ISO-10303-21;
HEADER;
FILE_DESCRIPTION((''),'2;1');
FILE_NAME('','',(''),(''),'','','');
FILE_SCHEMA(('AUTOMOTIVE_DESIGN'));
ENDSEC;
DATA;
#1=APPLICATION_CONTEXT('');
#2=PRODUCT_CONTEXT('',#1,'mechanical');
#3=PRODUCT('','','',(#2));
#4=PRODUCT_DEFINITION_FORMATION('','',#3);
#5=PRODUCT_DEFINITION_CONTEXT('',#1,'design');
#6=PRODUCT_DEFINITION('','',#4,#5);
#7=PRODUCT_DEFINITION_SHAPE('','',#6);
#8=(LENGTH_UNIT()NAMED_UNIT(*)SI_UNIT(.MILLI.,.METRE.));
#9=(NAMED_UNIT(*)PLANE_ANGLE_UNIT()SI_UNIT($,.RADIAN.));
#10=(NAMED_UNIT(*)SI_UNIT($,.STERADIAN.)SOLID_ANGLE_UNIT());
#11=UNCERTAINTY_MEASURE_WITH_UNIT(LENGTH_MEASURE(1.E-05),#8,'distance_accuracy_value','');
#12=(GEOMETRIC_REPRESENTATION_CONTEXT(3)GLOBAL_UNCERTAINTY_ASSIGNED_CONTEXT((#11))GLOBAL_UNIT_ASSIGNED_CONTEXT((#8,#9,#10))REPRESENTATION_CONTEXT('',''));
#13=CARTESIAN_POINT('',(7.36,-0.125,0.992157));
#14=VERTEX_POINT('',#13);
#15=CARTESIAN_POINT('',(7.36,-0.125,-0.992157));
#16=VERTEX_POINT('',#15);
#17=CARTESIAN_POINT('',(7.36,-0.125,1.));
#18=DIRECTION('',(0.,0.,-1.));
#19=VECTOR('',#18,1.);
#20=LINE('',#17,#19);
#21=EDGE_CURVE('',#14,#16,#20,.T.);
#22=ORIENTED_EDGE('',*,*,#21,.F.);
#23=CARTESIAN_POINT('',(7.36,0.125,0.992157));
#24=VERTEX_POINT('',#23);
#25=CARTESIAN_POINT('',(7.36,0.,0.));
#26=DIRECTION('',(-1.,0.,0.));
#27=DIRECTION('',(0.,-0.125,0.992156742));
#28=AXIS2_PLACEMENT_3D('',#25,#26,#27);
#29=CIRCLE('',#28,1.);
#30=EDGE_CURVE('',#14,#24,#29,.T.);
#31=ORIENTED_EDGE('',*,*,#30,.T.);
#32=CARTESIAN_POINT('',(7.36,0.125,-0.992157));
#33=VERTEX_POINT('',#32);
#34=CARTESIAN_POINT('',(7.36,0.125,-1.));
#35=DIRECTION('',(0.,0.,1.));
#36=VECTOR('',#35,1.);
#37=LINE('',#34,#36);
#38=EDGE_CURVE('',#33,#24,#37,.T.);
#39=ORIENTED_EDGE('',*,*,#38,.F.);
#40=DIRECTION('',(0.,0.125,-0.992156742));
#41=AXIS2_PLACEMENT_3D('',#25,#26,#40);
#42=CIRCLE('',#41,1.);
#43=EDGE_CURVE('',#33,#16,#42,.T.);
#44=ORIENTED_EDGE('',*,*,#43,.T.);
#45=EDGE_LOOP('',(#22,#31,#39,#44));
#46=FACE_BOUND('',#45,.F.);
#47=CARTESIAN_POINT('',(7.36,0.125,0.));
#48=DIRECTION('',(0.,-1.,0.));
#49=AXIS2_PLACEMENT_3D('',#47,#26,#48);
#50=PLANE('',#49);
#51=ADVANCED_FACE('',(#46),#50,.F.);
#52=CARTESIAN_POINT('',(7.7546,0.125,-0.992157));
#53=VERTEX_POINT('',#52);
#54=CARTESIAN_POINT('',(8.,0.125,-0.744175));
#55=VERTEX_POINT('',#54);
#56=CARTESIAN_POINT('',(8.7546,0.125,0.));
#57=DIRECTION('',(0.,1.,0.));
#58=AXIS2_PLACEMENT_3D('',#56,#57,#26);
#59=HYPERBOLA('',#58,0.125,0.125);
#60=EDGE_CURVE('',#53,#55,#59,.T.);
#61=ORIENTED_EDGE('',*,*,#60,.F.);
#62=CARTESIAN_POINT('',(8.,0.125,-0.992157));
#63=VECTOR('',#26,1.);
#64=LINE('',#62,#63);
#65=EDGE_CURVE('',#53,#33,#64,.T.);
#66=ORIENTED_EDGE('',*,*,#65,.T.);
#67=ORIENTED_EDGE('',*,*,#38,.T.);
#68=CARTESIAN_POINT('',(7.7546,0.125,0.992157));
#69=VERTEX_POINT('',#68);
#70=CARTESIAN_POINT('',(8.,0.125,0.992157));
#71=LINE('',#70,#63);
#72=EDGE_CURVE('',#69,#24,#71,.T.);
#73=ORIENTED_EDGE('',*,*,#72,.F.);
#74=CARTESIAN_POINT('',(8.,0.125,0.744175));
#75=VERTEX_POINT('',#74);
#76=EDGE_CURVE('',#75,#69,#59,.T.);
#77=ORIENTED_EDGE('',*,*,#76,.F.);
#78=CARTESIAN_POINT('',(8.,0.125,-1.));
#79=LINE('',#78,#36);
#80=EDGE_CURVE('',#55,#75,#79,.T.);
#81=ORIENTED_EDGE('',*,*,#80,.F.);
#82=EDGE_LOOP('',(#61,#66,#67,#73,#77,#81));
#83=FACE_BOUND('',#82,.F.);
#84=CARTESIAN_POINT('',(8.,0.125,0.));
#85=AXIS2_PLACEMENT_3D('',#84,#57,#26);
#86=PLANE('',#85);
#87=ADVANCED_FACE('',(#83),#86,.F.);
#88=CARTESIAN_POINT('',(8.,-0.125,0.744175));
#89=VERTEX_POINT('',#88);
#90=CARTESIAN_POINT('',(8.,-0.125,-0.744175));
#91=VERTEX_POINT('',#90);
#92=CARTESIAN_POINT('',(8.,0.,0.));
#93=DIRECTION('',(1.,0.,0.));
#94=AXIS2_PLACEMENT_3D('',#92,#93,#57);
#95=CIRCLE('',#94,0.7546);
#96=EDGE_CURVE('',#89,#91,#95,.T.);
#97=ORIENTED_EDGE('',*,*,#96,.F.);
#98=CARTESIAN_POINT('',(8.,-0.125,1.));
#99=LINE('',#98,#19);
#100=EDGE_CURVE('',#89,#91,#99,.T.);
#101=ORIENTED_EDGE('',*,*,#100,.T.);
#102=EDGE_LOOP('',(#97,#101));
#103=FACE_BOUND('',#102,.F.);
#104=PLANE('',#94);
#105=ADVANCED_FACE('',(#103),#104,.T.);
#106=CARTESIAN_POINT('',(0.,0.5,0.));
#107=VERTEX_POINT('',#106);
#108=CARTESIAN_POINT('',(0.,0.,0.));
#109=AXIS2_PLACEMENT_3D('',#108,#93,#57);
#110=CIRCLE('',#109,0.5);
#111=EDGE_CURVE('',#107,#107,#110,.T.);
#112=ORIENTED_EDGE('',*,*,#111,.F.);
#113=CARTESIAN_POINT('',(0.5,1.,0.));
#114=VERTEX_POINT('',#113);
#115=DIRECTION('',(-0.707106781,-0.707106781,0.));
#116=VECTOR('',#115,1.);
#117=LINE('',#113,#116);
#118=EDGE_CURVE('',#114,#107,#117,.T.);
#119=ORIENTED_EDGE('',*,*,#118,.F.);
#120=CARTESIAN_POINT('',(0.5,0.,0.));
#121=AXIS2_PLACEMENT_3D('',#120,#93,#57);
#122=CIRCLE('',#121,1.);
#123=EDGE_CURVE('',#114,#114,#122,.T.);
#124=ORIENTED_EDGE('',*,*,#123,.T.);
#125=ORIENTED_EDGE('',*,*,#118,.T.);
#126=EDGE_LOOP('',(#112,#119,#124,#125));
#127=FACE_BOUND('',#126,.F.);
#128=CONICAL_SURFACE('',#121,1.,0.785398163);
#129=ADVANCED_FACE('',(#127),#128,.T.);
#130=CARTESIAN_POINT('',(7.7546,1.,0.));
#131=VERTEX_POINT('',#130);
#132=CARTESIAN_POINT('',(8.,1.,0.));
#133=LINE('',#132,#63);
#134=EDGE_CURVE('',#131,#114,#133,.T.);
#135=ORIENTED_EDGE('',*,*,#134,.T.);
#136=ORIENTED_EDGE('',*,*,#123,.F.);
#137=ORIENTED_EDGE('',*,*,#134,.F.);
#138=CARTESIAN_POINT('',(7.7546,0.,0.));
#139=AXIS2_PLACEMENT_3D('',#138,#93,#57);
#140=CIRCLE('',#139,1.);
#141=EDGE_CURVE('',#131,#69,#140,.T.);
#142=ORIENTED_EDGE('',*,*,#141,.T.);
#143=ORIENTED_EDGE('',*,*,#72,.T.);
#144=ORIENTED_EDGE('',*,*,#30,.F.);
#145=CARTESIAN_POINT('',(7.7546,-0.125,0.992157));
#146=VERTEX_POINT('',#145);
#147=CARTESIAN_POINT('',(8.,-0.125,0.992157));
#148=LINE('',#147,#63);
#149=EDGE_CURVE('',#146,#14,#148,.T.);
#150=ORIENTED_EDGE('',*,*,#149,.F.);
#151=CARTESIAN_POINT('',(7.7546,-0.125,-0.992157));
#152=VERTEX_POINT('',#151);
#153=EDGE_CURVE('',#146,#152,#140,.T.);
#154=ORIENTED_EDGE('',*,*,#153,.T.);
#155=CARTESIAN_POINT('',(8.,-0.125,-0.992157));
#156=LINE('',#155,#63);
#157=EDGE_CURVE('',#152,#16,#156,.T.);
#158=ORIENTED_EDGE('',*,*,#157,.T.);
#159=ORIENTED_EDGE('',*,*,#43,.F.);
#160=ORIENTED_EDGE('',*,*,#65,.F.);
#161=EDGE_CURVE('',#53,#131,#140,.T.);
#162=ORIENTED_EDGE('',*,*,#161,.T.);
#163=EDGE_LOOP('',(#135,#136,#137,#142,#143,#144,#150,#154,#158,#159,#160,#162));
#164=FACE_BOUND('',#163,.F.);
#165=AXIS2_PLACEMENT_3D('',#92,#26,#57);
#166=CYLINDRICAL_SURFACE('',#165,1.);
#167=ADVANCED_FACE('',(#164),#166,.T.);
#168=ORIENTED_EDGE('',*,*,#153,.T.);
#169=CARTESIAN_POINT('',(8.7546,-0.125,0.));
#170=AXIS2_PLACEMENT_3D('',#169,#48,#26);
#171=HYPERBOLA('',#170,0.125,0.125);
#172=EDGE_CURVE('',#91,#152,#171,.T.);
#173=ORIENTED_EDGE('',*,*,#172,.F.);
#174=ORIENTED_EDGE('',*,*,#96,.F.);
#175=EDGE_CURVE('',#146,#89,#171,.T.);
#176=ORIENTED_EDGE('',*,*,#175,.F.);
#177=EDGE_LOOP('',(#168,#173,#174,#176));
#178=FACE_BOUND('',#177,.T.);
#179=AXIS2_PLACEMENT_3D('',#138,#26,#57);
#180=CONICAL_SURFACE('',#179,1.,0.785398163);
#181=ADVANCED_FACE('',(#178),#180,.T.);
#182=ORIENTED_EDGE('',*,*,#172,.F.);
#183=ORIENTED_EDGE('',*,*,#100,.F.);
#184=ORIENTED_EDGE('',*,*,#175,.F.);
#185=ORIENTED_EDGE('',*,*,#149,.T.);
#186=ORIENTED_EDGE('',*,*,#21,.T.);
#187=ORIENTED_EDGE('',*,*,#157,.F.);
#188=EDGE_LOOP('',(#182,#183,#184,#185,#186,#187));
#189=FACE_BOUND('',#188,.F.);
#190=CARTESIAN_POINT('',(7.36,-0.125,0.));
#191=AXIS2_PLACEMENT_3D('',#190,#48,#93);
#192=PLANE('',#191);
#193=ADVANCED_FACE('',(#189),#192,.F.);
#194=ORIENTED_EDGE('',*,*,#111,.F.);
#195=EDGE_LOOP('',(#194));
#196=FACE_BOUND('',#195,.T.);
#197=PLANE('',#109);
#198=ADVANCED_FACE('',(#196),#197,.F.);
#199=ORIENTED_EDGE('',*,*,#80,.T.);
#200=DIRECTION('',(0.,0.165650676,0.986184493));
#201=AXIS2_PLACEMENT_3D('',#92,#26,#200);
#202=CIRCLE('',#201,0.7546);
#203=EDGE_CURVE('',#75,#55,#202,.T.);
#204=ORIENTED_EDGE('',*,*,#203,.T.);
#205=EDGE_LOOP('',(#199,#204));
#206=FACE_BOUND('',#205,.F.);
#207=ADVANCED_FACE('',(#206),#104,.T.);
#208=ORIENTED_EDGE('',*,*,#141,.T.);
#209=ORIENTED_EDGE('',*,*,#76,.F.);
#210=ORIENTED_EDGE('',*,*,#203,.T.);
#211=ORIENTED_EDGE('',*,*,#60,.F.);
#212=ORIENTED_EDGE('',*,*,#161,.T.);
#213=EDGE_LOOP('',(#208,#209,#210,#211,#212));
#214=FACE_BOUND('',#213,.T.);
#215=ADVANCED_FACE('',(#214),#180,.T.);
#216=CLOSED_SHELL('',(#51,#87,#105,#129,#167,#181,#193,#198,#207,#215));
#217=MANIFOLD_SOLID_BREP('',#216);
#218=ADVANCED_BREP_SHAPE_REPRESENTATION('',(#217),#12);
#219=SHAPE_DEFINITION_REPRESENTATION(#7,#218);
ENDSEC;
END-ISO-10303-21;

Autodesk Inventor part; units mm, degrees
ref_plane "YZ Plane" through (0, 0, 0) normal (1, 0, 0) x (0, 1, 0)
ref_plane "XZ Plane" through (0, 0, 0) normal (0, 1, 0) x (-1, 0, 0)
sketch "Sketch1" plane through (0, 0, 0) normal (0, 0, 1) x (1, 0, 0)
  line L0 (0, 0) -> (8, 0)
  line L1 (8, 0) -> (8, 1)
  line L2 (8, 1) -> (0, 1)
  line L3 (0, -0.2) -> (0, 1.2) projected
  line L4 (0, 1) -> (0, 0)
  dimension "d0" = 2
  dimension "d2" = 8
revolve "Body" add sketch "Sketch1" angle 360 about axis through (0, 0, 0) along (1, 0, 0)
chamfer "Chamfer1" distance 0.2454 angle 45 1 edges at (8, -1, 0) measured on face at (8, 0.3808, -0.3117)
sketch "Sketch2" plane through (0, 0, 0) normal (0, 0, 1) x (1, 0, 0)
  line L0 (8, 0.7546) -> (8, -0.7546) projected
  line L1 (7.232, 0) -> (8.128, 0) projected
  line L2 (8, 0.125) -> (7.36, 0.125)
  line L3 (7.36, 0.125) -> (7.36, 0)
  line L4 (7.36, -0.125) -> (7.36, 0)
  line L5 (7.36, -0.125) -> (8, -0.125)
  dimension "d8" = 0.125
  dimension "d9" = 0.64
extrude "Slot1" cut sketch "Sketch2" against normal mid plane 2
thread "Thread" size "M2x0.4" class "6g" standard "ISO Metric profile" length 8
chamfer "Chamfer2" distance 0.5 angle 45 1 edges at (0, -1, 0) measured on face at (2.5849, -0.4298, 0.9029)
ref_plane "Work Plane1" through (4, 0, 0) normal (0, 0, 1) x (1, 0, 0)
equation "\"d8\" = 0.5 * SBR"
equation "\"d9\" = STI"
equation "\"d10\" = NND"
equation "\"d3\" = -0.5 * GD1 + 0.5 * NND"
equation "\"d4\" = FAWI"
equation "\"d34\" = -0.5 * GD1 + 0.5 * NND"
equation "\"d5\" = NLG"
equation "\"d14\" = FAWI"
equation "\"d0\" = NND"
equation "\"d2\" = NLG"
equation "\"NND\" = 2"
equation "\"NLG\" = 8"
equation "\"FAWI\" = 45deg"
equation "\"GD1\" = THREADDIA - 1.2269 * PTC"
equation "\"FAWI1\" = 45deg"
equation "\"SPD\" = 1"
equation "\"SBR\" = 0.25"
equation "\"STI\" = 0.64"
equation "\"GUL\" = 0.61345 * PTC"
equation "\"THREADDIA\" = 2"
equation "\"TOA\" = 30deg"
equation "\"PTC\" = 0.4"
equation "\"GAL\" = 0.61345 * PTC"
properties part number "ISO 4766 - M2 x 8" material "Stainless Steel, 440C"
